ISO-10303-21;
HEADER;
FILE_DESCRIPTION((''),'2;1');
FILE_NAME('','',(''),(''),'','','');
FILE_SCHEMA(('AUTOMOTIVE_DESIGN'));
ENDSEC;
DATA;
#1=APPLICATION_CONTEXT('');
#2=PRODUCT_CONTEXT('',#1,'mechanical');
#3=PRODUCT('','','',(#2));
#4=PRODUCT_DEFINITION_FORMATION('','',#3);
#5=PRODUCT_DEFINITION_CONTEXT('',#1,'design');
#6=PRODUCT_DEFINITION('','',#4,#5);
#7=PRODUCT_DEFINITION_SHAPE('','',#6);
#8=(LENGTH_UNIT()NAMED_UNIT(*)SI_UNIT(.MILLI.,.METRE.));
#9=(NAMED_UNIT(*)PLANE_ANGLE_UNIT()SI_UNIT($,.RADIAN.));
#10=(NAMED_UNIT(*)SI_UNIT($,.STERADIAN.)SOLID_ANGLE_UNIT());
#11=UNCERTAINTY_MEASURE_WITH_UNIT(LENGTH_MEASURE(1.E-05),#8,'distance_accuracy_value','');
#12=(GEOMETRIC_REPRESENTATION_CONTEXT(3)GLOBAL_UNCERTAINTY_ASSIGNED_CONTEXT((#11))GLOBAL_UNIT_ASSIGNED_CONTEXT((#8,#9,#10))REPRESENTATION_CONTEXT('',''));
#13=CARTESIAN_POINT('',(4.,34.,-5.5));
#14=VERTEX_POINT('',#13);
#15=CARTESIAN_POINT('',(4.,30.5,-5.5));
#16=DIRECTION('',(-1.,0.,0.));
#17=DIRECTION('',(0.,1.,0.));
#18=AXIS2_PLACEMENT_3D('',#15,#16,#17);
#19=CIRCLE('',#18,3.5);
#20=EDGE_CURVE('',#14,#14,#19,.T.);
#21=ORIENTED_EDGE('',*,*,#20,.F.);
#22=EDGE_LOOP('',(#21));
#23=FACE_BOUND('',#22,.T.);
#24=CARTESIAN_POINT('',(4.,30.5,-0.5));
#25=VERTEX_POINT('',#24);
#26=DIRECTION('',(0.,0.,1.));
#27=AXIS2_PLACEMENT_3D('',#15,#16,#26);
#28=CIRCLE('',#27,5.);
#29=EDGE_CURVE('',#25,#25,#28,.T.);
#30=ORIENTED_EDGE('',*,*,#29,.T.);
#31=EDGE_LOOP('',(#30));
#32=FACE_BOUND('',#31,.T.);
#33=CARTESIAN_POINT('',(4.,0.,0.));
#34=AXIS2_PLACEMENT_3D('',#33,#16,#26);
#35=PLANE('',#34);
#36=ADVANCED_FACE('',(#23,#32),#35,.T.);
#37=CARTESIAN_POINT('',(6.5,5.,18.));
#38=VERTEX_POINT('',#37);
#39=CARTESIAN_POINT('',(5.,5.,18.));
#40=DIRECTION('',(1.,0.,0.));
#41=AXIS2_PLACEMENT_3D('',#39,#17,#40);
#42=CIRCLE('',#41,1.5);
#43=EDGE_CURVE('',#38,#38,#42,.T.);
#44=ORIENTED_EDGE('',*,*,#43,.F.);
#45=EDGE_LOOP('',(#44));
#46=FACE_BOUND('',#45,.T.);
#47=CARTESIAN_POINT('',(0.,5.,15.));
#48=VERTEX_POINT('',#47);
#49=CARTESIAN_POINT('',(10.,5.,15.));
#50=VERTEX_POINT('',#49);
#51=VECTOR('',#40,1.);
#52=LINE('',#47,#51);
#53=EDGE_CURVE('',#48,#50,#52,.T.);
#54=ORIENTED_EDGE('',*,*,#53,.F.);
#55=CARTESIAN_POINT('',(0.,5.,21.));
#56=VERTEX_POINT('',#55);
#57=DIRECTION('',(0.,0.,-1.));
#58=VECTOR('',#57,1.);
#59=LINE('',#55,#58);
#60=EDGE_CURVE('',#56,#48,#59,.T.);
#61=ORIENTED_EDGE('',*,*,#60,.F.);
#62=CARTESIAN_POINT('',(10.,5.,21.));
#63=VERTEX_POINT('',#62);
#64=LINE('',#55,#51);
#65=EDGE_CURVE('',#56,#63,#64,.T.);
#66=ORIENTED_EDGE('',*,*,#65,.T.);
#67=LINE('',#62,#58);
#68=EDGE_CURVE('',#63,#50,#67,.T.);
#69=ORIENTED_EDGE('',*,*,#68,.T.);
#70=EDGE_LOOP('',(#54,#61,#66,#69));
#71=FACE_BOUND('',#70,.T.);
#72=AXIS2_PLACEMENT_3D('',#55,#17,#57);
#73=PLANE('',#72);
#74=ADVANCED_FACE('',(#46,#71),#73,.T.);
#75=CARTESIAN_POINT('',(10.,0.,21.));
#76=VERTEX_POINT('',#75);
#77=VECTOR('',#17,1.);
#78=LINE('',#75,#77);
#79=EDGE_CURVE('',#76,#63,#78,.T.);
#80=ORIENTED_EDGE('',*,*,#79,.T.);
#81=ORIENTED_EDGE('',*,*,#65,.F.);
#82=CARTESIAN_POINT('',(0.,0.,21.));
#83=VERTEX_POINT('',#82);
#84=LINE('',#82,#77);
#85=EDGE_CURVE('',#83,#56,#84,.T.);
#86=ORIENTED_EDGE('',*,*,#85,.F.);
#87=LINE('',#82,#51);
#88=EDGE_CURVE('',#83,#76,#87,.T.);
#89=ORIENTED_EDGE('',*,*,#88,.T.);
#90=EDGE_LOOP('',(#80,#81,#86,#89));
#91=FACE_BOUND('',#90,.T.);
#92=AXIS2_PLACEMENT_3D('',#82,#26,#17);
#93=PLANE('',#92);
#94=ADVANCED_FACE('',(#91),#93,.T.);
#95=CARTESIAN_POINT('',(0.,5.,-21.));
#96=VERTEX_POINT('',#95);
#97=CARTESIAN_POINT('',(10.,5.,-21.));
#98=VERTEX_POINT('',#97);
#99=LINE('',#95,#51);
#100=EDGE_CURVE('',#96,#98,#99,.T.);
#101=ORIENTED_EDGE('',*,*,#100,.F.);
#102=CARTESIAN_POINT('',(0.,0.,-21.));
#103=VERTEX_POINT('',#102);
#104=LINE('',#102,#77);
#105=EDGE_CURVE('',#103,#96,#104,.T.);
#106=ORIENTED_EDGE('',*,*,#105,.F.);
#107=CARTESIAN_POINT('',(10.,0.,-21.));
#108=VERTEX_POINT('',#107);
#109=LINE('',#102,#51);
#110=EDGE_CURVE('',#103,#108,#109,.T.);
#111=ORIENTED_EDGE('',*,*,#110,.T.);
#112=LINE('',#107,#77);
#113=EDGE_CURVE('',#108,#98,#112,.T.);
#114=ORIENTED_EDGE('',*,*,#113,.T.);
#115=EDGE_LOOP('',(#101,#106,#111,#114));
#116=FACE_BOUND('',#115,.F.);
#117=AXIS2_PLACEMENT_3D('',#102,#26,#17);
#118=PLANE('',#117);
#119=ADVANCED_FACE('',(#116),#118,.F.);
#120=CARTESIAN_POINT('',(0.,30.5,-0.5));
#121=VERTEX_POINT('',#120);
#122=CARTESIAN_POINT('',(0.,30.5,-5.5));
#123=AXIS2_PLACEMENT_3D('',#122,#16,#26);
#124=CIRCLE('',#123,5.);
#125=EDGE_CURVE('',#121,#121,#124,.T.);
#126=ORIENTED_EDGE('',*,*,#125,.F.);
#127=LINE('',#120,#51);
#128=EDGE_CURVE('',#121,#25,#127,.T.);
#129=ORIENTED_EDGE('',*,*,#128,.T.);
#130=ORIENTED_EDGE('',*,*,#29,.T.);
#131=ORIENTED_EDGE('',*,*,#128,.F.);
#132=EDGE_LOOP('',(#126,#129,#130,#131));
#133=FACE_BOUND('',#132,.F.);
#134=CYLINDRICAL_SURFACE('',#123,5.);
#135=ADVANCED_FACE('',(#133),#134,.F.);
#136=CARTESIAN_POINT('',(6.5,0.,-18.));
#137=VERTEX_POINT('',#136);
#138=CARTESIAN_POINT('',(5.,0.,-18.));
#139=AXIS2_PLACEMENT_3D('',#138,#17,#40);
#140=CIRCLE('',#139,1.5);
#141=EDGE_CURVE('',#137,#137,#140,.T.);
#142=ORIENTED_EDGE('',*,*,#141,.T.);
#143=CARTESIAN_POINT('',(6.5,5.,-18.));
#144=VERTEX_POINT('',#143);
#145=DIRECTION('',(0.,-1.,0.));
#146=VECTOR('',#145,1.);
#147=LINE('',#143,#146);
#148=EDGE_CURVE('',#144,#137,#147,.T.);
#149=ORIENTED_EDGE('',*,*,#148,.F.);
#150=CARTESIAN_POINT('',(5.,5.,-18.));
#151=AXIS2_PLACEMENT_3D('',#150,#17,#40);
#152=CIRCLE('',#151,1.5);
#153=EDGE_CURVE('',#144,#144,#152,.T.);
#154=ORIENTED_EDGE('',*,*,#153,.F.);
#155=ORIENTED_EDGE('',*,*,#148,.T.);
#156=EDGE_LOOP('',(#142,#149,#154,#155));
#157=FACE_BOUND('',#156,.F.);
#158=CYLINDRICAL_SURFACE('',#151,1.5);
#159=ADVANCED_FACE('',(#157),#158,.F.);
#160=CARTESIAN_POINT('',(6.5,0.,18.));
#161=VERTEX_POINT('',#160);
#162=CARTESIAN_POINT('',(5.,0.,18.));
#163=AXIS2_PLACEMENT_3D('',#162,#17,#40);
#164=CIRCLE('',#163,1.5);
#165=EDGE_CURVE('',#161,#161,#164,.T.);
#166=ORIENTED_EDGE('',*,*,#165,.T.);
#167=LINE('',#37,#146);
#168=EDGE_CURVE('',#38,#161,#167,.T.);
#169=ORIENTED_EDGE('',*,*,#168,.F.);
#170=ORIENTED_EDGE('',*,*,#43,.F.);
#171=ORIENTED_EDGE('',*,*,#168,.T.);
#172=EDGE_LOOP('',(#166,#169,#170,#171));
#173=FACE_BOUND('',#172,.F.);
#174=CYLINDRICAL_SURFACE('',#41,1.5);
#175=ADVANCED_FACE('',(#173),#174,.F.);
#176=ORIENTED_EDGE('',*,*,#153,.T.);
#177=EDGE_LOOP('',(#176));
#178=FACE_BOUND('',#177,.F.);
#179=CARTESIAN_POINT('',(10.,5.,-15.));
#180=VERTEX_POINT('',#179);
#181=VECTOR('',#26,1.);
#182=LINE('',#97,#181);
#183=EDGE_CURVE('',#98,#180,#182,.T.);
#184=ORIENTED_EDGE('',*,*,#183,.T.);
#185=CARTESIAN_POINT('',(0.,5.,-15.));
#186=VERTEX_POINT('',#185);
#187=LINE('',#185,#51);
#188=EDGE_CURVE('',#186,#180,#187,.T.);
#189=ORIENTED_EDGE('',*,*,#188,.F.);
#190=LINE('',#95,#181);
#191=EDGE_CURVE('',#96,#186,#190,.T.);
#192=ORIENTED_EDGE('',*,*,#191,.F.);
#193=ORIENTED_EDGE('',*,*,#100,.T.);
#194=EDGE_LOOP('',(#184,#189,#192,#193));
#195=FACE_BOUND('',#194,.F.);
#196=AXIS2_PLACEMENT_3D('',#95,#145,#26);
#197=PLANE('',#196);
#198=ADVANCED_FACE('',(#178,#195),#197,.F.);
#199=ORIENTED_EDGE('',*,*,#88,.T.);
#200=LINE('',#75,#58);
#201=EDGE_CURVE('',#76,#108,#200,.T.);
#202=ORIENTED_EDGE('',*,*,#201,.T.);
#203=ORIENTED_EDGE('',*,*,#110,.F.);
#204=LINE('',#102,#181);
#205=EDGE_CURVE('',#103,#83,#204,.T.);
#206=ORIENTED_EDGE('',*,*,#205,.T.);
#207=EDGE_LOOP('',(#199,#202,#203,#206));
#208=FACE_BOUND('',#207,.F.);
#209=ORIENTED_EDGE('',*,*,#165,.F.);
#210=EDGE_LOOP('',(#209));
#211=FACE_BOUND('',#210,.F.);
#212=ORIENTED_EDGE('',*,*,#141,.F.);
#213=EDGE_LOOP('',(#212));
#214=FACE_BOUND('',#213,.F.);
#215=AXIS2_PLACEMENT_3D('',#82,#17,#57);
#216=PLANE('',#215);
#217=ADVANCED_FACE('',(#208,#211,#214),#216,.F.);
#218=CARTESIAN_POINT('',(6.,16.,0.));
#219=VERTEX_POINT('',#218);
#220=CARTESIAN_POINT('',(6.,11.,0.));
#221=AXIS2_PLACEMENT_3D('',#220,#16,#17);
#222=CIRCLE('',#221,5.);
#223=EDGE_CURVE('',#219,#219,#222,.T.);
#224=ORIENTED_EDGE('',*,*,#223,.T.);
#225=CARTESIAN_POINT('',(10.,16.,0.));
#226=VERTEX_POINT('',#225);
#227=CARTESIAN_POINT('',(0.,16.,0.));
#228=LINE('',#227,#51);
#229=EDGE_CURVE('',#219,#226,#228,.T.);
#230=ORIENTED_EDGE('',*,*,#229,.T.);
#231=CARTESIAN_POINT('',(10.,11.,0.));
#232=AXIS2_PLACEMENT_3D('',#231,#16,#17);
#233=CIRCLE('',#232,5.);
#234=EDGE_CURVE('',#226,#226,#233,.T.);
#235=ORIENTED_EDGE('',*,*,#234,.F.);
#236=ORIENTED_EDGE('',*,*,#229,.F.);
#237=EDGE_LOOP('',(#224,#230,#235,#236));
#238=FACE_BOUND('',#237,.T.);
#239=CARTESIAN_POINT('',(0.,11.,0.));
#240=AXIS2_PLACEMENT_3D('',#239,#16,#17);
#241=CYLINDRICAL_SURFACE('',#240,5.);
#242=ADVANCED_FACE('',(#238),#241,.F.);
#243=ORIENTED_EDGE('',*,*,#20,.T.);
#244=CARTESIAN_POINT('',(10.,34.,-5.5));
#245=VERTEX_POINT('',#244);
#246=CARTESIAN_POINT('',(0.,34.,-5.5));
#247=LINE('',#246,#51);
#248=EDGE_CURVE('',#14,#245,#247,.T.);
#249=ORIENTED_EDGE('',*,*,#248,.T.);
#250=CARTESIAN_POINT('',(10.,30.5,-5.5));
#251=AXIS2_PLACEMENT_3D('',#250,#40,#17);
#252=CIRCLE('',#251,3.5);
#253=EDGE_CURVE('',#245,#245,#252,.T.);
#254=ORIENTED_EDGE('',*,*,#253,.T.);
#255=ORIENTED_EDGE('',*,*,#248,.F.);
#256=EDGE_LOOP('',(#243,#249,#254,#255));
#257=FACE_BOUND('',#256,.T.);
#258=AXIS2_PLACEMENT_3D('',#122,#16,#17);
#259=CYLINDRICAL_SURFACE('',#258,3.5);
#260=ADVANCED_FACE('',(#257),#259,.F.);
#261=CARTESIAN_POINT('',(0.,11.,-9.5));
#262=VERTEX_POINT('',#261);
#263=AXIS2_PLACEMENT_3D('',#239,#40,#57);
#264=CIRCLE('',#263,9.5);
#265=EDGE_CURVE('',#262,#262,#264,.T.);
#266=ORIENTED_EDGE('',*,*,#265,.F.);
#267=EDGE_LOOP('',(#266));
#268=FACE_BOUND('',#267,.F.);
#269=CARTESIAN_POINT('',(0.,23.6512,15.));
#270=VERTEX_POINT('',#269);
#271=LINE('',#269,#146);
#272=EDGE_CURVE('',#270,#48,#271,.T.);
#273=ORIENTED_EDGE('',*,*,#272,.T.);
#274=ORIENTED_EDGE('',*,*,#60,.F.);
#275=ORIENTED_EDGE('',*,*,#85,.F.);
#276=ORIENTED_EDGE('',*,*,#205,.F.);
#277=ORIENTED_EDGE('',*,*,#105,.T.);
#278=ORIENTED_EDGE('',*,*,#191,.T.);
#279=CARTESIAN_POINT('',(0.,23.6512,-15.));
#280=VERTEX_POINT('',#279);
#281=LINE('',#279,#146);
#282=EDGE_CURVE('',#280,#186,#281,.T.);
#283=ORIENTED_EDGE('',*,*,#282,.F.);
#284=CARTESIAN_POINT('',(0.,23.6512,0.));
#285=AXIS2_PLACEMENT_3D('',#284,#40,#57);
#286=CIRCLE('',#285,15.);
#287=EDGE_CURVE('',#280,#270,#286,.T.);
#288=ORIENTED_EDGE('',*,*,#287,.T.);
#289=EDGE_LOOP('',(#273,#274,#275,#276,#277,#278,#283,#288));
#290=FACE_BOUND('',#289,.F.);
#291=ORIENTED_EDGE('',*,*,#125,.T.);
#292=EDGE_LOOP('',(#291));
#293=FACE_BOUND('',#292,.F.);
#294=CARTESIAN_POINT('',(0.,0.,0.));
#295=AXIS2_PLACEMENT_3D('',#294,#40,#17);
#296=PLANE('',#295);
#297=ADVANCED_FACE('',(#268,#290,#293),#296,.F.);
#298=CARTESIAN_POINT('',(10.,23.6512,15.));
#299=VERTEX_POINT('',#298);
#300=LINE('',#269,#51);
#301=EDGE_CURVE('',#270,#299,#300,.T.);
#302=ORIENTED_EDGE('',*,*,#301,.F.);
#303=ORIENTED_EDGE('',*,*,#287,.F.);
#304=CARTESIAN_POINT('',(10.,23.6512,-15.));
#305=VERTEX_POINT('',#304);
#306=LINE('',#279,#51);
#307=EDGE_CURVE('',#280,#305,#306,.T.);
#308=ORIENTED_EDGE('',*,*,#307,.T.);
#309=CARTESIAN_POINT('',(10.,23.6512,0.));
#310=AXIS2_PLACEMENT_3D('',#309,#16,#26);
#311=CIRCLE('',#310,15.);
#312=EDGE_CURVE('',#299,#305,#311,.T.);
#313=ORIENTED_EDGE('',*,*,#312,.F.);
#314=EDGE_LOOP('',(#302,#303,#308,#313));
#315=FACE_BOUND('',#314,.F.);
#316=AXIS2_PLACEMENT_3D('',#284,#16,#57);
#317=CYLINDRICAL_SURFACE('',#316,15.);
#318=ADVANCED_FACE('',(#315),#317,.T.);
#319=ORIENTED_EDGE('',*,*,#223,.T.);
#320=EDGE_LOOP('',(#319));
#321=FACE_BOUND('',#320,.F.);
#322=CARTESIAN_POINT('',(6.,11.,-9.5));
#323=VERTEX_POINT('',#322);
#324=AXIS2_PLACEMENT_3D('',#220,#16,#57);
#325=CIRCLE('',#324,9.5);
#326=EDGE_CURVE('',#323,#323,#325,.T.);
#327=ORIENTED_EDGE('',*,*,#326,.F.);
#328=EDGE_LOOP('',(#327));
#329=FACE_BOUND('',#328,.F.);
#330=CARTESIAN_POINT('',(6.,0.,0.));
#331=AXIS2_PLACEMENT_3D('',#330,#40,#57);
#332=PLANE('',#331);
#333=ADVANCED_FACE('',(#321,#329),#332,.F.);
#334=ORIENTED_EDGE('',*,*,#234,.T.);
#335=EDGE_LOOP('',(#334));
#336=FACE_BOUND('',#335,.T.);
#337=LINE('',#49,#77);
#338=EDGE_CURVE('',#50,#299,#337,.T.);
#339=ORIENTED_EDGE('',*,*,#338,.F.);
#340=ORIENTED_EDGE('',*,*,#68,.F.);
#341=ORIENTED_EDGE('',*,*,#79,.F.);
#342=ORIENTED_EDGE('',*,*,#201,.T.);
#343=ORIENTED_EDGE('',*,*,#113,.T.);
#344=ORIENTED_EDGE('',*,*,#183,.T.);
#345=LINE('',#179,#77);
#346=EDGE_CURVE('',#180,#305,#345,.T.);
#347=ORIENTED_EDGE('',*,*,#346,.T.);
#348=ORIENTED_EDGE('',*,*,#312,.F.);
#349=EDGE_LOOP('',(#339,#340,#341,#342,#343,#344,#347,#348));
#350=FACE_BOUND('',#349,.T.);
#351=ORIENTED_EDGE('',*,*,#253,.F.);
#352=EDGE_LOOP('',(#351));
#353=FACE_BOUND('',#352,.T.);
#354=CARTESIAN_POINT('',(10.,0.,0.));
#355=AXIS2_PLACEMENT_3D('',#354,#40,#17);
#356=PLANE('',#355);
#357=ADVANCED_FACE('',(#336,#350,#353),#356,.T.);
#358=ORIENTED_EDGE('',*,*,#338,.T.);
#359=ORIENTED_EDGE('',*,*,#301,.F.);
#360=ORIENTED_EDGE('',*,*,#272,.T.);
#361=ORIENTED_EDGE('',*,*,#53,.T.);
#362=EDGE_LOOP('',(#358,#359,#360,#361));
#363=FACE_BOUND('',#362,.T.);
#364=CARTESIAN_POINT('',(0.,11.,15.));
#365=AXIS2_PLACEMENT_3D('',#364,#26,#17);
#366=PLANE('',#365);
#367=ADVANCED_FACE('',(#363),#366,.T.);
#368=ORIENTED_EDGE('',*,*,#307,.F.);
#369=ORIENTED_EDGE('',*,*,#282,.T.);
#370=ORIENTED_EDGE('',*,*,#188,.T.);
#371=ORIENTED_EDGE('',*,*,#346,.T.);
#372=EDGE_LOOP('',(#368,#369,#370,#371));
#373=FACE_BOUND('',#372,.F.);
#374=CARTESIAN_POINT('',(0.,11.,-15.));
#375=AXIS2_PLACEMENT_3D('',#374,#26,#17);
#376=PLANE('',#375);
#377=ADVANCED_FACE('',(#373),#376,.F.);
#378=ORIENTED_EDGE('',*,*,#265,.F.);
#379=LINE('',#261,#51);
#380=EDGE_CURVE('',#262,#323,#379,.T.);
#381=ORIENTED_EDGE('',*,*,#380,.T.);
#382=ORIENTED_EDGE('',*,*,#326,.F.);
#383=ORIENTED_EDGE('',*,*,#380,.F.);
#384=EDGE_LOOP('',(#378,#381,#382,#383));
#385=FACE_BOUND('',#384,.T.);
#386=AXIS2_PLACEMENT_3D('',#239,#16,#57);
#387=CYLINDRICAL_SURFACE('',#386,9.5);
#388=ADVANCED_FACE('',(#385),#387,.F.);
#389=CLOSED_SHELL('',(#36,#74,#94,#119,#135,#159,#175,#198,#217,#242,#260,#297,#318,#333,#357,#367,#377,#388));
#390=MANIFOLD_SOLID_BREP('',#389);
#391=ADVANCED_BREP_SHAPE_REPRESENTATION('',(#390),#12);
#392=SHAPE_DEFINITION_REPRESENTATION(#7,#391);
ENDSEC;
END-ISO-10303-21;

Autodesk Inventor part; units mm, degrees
sketch "Sketch1" plane through (0, 0, 0) normal (1, 0, 0) x (0, 1, 0)
  circle A0 centre (30.5, -5.5) radius 3.5
  line L0 (11, 15) -> (5, 15)
  line L1 (5, -15) -> (11, -15)
  line L2 (0, -21) -> (5, -21)
  line L3 (5, -21) -> (5, -15)
  line L4 (0, 21) -> (5, 21)
  line L5 (5, 21) -> (5, 15)
  line L6 (-7.7302, 0) -> (46.3815, 0) projected
  line L7 (0, 29.4) -> (0, -29.4) projected
  line L8 (0, 21) -> (0, -21)
  line L9 (11, -15) -> (23.6512, -15)
  line L10 (11, 15) -> (23.6512, 15)
  arc A1 (23.6512, -15) -> (23.6512, 15) centre (23.6512, 0) ccw
  circle A2 centre (11, 0) radius 5
  point P0 (2.5, -21)
  dimension "d7" = 7
  dimension "d45" = 21
  dimension "d64" = 5
  dimension "d65" = 21
  dimension "d66" = 5
  dimension "d67" = 15
  dimension "d69" = 5.5
  dimension "d73" = 0
  dimension "d74" = 30.5
  dimension "d75" = 10
  dimension "d76" = 0
  dimension "d77" = 11
  dimension "d78" = 15
  dimension "d79" = 15
  dimension "d80" = 23.6512
extrude "Extrusion1" add sketch "Sketch1" along normal blind 10 contours L10 A1 L6 A2 L7 L4 L5 L0 | A1 L9 L1 L3 L2 L7 L6 A2
sketch "Sketch4" plane through (10, 0, 0) normal (1, 0, 0) x (0, 0, -1)
  circle A0 centre (0, 11) radius 9.5
  line L0 (-29.4, 0) -> (29.4, 0) projected
  line L1 (0, -7.7302) -> (0, 46.3815) projected
  point P0 (0, 0)
  dimension "d56" = 19
  dimension "d58" = 11
  dimension "d59" = 0
extrude "Extrusion2" cut sketch "Sketch4" along normal blind 6 from surface at -10
sketch "Sketch6" plane through (0, 5, -15) normal (0, 1, 0) x (1, 0, 0)
  circle A0 centre (5, 3) radius 1.5
  line L0 (12, -15) -> (-2, -15) projected
  circle A1 centre (5, -33) radius 1.5
  line L1 (0, -30) -> (0, -36) projected
  line L2 (0, 6) -> (0, 0) projected
  point P0 (0, -15)
  point P1 (0, -33)
  point P2 (0, 3)
  dimension "d81" = 3
  dimension "d82" = 18
  dimension "d83" = 3
  dimension "d84" = 18
  dimension "d85" = 5
  dimension "d86" = 5
extrude "Extrusion3" cut sketch "Sketch6" against normal blind 5
sketch "Sketch7" plane through (0, 0, 0) normal (-1, 0, 0) x (0, 0, 1)
  circle A0 centre (-5.5, 30.5) radius 5
  line L0 (21, 0) -> (-21, 0) projected
  line L1 (0, -7.7302) -> (0, 46.3815) projected
  point P0 (0, 0)
  dimension "d89" = 10
  dimension "d90" = 30.5
  dimension "d91" = 5.5
extrude "Extrusion4" cut sketch "Sketch7" against normal blind 4
properties part number "support_arriere_droite"
